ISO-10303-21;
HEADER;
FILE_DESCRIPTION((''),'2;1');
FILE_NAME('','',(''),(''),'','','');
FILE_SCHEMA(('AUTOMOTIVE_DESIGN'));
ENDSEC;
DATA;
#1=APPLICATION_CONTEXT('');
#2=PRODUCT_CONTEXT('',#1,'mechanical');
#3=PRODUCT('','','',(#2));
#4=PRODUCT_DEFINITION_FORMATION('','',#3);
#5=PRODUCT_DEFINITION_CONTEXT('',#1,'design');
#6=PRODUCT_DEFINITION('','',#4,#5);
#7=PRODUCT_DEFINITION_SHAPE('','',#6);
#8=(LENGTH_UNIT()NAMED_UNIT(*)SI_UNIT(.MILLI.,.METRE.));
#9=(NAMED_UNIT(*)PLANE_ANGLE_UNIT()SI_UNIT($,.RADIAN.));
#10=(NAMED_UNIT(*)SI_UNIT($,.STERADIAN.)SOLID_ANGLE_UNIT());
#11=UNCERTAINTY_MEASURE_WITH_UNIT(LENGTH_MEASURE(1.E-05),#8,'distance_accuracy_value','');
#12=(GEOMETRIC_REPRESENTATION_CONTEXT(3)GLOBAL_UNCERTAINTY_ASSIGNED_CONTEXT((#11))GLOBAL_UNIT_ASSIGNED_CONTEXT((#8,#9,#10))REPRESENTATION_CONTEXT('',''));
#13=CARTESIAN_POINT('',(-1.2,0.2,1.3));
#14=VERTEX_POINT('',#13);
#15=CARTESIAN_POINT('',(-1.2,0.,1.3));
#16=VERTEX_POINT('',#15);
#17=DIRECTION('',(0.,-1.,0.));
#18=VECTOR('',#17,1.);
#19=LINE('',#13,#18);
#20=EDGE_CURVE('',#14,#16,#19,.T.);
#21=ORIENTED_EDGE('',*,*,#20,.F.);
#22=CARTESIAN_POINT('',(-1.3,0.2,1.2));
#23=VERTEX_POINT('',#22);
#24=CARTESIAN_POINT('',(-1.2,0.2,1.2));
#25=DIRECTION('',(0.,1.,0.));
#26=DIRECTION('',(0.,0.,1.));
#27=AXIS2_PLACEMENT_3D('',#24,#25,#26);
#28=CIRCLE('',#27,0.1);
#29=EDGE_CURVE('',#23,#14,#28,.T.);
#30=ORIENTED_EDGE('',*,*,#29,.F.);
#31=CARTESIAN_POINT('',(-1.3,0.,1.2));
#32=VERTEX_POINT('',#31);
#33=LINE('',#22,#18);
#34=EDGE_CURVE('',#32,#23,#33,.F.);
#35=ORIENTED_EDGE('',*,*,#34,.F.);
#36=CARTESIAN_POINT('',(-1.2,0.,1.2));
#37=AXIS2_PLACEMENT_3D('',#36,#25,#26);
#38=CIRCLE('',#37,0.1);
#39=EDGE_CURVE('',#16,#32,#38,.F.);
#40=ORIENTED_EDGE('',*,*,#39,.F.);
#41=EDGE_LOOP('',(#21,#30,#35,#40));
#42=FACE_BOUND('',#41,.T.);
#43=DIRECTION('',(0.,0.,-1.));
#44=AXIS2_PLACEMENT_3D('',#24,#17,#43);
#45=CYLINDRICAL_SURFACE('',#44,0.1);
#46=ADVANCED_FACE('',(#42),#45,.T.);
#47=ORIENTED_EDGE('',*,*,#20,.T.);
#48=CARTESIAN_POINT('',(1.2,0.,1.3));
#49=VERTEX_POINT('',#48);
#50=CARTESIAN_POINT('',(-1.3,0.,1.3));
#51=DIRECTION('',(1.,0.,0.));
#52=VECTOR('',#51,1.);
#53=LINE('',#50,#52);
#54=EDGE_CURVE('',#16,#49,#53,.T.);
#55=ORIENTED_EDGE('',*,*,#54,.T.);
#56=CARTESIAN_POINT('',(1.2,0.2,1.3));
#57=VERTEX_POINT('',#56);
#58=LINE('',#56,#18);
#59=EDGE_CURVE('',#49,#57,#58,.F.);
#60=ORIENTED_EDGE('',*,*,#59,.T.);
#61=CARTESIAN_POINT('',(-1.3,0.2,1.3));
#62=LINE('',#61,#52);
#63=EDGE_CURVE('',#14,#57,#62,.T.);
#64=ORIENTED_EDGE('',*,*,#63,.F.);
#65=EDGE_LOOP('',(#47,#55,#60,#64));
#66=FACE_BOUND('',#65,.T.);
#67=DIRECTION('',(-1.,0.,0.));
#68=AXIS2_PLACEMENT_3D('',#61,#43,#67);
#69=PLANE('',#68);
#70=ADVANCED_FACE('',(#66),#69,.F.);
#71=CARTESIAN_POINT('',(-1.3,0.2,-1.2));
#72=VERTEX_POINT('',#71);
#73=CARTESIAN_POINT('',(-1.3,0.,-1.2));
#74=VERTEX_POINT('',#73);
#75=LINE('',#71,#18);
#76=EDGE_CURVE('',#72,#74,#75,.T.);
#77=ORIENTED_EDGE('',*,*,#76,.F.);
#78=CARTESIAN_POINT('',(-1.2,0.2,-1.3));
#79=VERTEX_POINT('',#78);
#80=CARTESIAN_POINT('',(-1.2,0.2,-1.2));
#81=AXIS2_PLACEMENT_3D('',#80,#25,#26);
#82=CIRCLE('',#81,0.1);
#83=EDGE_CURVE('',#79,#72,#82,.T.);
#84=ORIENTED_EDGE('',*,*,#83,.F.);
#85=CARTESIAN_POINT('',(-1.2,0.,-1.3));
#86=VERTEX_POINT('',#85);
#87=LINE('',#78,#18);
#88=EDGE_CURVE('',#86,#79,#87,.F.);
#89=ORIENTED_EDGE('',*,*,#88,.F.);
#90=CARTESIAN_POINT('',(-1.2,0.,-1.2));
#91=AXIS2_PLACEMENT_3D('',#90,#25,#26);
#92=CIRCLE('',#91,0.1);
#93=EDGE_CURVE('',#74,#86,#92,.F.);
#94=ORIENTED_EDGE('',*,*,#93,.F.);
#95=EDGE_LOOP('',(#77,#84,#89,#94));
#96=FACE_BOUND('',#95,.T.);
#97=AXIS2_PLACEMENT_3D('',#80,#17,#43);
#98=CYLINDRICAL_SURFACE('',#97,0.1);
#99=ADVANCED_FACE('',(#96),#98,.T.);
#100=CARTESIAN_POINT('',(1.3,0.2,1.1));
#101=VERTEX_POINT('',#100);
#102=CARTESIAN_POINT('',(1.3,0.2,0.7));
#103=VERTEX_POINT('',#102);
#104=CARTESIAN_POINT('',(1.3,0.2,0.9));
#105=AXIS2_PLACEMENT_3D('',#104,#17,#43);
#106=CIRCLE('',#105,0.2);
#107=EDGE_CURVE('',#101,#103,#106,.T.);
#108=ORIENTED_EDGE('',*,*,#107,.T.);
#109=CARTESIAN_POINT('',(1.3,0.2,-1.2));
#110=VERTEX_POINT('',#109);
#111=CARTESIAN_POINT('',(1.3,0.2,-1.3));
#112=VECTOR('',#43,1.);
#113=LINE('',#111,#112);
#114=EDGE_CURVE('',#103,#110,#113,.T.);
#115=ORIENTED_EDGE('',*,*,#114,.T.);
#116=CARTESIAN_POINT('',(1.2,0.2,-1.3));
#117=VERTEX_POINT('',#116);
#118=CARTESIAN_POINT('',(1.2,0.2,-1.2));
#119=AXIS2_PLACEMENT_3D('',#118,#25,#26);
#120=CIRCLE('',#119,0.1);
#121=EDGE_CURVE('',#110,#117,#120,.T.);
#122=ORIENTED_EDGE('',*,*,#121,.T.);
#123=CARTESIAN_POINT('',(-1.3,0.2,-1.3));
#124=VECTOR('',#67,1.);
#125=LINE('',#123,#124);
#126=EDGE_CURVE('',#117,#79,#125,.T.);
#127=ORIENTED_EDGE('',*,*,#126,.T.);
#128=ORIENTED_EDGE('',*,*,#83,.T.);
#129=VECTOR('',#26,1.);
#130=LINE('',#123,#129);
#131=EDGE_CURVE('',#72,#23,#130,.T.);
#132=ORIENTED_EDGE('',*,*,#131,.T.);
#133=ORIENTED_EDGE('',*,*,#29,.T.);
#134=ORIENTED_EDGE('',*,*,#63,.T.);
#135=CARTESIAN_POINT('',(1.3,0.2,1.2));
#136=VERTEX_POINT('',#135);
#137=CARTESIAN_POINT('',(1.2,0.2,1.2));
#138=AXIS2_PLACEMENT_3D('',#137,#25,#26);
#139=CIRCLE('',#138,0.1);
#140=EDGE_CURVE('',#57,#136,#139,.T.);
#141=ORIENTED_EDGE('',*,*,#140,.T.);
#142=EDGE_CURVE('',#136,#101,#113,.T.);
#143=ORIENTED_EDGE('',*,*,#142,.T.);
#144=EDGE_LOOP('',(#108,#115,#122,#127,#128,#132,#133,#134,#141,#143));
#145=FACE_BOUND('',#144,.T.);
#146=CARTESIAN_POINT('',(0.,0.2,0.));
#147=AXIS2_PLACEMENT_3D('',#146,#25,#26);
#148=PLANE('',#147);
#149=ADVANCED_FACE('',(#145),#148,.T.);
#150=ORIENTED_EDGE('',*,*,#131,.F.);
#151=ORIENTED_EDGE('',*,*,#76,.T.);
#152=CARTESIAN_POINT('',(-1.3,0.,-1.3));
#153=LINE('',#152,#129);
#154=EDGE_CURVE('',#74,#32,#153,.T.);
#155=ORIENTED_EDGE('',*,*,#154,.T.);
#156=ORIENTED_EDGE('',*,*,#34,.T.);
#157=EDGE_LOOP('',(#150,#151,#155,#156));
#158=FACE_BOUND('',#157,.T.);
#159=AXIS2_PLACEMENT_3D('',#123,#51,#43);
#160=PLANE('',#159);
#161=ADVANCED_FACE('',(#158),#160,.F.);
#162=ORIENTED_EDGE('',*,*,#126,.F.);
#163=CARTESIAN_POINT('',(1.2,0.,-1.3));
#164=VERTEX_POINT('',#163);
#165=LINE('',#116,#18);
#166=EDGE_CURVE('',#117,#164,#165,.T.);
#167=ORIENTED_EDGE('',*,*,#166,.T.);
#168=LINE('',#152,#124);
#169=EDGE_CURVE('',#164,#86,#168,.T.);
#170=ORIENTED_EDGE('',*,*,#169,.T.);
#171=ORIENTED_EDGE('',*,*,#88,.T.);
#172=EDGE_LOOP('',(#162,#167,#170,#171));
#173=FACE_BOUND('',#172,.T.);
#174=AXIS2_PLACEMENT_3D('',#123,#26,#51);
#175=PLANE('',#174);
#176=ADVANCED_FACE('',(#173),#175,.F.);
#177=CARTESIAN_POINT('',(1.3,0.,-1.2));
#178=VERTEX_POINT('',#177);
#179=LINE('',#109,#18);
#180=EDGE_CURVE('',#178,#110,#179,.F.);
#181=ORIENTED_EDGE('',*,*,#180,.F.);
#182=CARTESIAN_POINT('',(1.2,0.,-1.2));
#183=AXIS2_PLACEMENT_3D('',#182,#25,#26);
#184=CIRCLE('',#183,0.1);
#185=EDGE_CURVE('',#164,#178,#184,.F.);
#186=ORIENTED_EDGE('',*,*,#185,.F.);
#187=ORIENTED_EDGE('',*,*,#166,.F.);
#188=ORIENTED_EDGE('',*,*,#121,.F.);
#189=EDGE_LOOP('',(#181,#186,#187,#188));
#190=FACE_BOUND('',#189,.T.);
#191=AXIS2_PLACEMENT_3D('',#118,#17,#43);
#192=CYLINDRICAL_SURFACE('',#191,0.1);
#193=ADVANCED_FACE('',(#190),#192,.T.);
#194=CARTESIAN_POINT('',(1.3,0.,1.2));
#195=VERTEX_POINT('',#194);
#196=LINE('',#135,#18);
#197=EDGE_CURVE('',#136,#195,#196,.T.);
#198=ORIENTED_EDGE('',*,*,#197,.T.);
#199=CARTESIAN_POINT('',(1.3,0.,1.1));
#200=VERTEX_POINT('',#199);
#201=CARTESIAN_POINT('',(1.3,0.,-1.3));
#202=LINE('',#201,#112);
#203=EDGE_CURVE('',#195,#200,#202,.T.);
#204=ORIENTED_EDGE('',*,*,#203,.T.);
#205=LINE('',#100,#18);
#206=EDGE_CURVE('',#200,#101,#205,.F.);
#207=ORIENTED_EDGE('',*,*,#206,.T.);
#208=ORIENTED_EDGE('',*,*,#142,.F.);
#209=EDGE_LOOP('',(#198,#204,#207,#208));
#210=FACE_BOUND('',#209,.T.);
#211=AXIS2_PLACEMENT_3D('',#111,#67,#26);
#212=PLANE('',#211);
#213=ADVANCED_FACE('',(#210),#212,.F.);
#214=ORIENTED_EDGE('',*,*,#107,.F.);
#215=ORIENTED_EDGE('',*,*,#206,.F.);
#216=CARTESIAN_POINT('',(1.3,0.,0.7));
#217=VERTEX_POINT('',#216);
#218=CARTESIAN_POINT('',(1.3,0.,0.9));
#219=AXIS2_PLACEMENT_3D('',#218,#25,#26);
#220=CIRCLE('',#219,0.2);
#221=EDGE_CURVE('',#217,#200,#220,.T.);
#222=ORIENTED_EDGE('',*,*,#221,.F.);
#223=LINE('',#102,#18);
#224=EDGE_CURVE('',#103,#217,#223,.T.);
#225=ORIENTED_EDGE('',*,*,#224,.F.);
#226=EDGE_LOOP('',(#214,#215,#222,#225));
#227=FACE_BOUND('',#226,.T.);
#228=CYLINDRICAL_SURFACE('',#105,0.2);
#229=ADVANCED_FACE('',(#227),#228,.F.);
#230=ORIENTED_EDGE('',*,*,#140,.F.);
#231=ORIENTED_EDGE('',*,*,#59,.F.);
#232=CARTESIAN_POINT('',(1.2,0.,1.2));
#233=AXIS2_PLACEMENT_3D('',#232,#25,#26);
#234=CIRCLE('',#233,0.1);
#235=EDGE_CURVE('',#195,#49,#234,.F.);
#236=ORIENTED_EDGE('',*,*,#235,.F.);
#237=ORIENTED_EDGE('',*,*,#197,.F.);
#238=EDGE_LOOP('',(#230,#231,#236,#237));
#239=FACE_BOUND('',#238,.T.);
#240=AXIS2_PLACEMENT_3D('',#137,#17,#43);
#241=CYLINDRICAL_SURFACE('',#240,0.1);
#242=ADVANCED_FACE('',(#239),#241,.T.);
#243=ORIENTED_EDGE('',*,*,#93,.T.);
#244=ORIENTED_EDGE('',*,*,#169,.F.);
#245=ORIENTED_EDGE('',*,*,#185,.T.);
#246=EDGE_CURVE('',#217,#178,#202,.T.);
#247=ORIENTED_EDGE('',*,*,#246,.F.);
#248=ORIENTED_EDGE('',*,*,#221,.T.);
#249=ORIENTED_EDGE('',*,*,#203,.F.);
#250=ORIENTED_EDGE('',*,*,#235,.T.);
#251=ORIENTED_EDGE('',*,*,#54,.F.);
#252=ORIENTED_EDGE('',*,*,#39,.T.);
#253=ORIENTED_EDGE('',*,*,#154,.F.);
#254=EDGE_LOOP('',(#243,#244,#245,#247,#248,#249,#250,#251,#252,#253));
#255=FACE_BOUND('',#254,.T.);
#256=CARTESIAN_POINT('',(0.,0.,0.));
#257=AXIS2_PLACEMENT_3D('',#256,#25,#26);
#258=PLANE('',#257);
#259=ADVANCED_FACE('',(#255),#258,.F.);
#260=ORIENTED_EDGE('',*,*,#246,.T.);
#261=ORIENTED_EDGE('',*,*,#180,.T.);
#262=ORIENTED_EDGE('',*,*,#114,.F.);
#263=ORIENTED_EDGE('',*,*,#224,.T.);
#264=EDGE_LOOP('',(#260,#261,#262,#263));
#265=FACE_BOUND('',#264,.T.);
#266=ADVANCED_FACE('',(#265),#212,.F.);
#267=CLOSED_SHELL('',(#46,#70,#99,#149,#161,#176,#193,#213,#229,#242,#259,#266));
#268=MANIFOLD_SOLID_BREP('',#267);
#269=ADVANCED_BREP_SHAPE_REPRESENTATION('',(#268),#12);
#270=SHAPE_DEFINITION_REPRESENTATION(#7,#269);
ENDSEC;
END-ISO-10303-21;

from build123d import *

# Parameters (mm, degrees)
SKETCH1_W           = 2.6
SKETCH1_H           = 2.6
BOSS_EXTRUDE1_DEPTH = 0.2
FILLET1_R           = 0.1
SKETCH3_R           = 0.2
CUT_EXTRUDE1_DEPTH  = 1.2


with BuildPart() as part:
    # Sketch1 → Boss-Extrude1 (new body)
    with BuildSketch(Plane(origin=(0, 0, 0), x_dir=(1, 0, 0), z_dir=(0, 1, 0))):
        Rectangle(SKETCH1_W, SKETCH1_H)
    extrude(amount=BOSS_EXTRUDE1_DEPTH)

    # Fillet1
    fillet1_edges = [part.edges().sort_by_distance(p)[0] for p in [
        (1.3, 0.1, 1.3),
        (-1.3, 0.1, 1.3),
        (-1.3, 0.1, -1.3),
        (1.3, 0.1, -1.3),
    ]]
    fillet(fillet1_edges, radius=FILLET1_R)

    # Sketch3 → Cut-Extrude1 (cut, through all)
    with BuildSketch(Plane.XZ):
        with Locations((1.3, 0.9)):
            Circle(SKETCH3_R)
    extrude(amount=-CUT_EXTRUDE1_DEPTH, mode=Mode.SUBTRACT)


solid = part.part
